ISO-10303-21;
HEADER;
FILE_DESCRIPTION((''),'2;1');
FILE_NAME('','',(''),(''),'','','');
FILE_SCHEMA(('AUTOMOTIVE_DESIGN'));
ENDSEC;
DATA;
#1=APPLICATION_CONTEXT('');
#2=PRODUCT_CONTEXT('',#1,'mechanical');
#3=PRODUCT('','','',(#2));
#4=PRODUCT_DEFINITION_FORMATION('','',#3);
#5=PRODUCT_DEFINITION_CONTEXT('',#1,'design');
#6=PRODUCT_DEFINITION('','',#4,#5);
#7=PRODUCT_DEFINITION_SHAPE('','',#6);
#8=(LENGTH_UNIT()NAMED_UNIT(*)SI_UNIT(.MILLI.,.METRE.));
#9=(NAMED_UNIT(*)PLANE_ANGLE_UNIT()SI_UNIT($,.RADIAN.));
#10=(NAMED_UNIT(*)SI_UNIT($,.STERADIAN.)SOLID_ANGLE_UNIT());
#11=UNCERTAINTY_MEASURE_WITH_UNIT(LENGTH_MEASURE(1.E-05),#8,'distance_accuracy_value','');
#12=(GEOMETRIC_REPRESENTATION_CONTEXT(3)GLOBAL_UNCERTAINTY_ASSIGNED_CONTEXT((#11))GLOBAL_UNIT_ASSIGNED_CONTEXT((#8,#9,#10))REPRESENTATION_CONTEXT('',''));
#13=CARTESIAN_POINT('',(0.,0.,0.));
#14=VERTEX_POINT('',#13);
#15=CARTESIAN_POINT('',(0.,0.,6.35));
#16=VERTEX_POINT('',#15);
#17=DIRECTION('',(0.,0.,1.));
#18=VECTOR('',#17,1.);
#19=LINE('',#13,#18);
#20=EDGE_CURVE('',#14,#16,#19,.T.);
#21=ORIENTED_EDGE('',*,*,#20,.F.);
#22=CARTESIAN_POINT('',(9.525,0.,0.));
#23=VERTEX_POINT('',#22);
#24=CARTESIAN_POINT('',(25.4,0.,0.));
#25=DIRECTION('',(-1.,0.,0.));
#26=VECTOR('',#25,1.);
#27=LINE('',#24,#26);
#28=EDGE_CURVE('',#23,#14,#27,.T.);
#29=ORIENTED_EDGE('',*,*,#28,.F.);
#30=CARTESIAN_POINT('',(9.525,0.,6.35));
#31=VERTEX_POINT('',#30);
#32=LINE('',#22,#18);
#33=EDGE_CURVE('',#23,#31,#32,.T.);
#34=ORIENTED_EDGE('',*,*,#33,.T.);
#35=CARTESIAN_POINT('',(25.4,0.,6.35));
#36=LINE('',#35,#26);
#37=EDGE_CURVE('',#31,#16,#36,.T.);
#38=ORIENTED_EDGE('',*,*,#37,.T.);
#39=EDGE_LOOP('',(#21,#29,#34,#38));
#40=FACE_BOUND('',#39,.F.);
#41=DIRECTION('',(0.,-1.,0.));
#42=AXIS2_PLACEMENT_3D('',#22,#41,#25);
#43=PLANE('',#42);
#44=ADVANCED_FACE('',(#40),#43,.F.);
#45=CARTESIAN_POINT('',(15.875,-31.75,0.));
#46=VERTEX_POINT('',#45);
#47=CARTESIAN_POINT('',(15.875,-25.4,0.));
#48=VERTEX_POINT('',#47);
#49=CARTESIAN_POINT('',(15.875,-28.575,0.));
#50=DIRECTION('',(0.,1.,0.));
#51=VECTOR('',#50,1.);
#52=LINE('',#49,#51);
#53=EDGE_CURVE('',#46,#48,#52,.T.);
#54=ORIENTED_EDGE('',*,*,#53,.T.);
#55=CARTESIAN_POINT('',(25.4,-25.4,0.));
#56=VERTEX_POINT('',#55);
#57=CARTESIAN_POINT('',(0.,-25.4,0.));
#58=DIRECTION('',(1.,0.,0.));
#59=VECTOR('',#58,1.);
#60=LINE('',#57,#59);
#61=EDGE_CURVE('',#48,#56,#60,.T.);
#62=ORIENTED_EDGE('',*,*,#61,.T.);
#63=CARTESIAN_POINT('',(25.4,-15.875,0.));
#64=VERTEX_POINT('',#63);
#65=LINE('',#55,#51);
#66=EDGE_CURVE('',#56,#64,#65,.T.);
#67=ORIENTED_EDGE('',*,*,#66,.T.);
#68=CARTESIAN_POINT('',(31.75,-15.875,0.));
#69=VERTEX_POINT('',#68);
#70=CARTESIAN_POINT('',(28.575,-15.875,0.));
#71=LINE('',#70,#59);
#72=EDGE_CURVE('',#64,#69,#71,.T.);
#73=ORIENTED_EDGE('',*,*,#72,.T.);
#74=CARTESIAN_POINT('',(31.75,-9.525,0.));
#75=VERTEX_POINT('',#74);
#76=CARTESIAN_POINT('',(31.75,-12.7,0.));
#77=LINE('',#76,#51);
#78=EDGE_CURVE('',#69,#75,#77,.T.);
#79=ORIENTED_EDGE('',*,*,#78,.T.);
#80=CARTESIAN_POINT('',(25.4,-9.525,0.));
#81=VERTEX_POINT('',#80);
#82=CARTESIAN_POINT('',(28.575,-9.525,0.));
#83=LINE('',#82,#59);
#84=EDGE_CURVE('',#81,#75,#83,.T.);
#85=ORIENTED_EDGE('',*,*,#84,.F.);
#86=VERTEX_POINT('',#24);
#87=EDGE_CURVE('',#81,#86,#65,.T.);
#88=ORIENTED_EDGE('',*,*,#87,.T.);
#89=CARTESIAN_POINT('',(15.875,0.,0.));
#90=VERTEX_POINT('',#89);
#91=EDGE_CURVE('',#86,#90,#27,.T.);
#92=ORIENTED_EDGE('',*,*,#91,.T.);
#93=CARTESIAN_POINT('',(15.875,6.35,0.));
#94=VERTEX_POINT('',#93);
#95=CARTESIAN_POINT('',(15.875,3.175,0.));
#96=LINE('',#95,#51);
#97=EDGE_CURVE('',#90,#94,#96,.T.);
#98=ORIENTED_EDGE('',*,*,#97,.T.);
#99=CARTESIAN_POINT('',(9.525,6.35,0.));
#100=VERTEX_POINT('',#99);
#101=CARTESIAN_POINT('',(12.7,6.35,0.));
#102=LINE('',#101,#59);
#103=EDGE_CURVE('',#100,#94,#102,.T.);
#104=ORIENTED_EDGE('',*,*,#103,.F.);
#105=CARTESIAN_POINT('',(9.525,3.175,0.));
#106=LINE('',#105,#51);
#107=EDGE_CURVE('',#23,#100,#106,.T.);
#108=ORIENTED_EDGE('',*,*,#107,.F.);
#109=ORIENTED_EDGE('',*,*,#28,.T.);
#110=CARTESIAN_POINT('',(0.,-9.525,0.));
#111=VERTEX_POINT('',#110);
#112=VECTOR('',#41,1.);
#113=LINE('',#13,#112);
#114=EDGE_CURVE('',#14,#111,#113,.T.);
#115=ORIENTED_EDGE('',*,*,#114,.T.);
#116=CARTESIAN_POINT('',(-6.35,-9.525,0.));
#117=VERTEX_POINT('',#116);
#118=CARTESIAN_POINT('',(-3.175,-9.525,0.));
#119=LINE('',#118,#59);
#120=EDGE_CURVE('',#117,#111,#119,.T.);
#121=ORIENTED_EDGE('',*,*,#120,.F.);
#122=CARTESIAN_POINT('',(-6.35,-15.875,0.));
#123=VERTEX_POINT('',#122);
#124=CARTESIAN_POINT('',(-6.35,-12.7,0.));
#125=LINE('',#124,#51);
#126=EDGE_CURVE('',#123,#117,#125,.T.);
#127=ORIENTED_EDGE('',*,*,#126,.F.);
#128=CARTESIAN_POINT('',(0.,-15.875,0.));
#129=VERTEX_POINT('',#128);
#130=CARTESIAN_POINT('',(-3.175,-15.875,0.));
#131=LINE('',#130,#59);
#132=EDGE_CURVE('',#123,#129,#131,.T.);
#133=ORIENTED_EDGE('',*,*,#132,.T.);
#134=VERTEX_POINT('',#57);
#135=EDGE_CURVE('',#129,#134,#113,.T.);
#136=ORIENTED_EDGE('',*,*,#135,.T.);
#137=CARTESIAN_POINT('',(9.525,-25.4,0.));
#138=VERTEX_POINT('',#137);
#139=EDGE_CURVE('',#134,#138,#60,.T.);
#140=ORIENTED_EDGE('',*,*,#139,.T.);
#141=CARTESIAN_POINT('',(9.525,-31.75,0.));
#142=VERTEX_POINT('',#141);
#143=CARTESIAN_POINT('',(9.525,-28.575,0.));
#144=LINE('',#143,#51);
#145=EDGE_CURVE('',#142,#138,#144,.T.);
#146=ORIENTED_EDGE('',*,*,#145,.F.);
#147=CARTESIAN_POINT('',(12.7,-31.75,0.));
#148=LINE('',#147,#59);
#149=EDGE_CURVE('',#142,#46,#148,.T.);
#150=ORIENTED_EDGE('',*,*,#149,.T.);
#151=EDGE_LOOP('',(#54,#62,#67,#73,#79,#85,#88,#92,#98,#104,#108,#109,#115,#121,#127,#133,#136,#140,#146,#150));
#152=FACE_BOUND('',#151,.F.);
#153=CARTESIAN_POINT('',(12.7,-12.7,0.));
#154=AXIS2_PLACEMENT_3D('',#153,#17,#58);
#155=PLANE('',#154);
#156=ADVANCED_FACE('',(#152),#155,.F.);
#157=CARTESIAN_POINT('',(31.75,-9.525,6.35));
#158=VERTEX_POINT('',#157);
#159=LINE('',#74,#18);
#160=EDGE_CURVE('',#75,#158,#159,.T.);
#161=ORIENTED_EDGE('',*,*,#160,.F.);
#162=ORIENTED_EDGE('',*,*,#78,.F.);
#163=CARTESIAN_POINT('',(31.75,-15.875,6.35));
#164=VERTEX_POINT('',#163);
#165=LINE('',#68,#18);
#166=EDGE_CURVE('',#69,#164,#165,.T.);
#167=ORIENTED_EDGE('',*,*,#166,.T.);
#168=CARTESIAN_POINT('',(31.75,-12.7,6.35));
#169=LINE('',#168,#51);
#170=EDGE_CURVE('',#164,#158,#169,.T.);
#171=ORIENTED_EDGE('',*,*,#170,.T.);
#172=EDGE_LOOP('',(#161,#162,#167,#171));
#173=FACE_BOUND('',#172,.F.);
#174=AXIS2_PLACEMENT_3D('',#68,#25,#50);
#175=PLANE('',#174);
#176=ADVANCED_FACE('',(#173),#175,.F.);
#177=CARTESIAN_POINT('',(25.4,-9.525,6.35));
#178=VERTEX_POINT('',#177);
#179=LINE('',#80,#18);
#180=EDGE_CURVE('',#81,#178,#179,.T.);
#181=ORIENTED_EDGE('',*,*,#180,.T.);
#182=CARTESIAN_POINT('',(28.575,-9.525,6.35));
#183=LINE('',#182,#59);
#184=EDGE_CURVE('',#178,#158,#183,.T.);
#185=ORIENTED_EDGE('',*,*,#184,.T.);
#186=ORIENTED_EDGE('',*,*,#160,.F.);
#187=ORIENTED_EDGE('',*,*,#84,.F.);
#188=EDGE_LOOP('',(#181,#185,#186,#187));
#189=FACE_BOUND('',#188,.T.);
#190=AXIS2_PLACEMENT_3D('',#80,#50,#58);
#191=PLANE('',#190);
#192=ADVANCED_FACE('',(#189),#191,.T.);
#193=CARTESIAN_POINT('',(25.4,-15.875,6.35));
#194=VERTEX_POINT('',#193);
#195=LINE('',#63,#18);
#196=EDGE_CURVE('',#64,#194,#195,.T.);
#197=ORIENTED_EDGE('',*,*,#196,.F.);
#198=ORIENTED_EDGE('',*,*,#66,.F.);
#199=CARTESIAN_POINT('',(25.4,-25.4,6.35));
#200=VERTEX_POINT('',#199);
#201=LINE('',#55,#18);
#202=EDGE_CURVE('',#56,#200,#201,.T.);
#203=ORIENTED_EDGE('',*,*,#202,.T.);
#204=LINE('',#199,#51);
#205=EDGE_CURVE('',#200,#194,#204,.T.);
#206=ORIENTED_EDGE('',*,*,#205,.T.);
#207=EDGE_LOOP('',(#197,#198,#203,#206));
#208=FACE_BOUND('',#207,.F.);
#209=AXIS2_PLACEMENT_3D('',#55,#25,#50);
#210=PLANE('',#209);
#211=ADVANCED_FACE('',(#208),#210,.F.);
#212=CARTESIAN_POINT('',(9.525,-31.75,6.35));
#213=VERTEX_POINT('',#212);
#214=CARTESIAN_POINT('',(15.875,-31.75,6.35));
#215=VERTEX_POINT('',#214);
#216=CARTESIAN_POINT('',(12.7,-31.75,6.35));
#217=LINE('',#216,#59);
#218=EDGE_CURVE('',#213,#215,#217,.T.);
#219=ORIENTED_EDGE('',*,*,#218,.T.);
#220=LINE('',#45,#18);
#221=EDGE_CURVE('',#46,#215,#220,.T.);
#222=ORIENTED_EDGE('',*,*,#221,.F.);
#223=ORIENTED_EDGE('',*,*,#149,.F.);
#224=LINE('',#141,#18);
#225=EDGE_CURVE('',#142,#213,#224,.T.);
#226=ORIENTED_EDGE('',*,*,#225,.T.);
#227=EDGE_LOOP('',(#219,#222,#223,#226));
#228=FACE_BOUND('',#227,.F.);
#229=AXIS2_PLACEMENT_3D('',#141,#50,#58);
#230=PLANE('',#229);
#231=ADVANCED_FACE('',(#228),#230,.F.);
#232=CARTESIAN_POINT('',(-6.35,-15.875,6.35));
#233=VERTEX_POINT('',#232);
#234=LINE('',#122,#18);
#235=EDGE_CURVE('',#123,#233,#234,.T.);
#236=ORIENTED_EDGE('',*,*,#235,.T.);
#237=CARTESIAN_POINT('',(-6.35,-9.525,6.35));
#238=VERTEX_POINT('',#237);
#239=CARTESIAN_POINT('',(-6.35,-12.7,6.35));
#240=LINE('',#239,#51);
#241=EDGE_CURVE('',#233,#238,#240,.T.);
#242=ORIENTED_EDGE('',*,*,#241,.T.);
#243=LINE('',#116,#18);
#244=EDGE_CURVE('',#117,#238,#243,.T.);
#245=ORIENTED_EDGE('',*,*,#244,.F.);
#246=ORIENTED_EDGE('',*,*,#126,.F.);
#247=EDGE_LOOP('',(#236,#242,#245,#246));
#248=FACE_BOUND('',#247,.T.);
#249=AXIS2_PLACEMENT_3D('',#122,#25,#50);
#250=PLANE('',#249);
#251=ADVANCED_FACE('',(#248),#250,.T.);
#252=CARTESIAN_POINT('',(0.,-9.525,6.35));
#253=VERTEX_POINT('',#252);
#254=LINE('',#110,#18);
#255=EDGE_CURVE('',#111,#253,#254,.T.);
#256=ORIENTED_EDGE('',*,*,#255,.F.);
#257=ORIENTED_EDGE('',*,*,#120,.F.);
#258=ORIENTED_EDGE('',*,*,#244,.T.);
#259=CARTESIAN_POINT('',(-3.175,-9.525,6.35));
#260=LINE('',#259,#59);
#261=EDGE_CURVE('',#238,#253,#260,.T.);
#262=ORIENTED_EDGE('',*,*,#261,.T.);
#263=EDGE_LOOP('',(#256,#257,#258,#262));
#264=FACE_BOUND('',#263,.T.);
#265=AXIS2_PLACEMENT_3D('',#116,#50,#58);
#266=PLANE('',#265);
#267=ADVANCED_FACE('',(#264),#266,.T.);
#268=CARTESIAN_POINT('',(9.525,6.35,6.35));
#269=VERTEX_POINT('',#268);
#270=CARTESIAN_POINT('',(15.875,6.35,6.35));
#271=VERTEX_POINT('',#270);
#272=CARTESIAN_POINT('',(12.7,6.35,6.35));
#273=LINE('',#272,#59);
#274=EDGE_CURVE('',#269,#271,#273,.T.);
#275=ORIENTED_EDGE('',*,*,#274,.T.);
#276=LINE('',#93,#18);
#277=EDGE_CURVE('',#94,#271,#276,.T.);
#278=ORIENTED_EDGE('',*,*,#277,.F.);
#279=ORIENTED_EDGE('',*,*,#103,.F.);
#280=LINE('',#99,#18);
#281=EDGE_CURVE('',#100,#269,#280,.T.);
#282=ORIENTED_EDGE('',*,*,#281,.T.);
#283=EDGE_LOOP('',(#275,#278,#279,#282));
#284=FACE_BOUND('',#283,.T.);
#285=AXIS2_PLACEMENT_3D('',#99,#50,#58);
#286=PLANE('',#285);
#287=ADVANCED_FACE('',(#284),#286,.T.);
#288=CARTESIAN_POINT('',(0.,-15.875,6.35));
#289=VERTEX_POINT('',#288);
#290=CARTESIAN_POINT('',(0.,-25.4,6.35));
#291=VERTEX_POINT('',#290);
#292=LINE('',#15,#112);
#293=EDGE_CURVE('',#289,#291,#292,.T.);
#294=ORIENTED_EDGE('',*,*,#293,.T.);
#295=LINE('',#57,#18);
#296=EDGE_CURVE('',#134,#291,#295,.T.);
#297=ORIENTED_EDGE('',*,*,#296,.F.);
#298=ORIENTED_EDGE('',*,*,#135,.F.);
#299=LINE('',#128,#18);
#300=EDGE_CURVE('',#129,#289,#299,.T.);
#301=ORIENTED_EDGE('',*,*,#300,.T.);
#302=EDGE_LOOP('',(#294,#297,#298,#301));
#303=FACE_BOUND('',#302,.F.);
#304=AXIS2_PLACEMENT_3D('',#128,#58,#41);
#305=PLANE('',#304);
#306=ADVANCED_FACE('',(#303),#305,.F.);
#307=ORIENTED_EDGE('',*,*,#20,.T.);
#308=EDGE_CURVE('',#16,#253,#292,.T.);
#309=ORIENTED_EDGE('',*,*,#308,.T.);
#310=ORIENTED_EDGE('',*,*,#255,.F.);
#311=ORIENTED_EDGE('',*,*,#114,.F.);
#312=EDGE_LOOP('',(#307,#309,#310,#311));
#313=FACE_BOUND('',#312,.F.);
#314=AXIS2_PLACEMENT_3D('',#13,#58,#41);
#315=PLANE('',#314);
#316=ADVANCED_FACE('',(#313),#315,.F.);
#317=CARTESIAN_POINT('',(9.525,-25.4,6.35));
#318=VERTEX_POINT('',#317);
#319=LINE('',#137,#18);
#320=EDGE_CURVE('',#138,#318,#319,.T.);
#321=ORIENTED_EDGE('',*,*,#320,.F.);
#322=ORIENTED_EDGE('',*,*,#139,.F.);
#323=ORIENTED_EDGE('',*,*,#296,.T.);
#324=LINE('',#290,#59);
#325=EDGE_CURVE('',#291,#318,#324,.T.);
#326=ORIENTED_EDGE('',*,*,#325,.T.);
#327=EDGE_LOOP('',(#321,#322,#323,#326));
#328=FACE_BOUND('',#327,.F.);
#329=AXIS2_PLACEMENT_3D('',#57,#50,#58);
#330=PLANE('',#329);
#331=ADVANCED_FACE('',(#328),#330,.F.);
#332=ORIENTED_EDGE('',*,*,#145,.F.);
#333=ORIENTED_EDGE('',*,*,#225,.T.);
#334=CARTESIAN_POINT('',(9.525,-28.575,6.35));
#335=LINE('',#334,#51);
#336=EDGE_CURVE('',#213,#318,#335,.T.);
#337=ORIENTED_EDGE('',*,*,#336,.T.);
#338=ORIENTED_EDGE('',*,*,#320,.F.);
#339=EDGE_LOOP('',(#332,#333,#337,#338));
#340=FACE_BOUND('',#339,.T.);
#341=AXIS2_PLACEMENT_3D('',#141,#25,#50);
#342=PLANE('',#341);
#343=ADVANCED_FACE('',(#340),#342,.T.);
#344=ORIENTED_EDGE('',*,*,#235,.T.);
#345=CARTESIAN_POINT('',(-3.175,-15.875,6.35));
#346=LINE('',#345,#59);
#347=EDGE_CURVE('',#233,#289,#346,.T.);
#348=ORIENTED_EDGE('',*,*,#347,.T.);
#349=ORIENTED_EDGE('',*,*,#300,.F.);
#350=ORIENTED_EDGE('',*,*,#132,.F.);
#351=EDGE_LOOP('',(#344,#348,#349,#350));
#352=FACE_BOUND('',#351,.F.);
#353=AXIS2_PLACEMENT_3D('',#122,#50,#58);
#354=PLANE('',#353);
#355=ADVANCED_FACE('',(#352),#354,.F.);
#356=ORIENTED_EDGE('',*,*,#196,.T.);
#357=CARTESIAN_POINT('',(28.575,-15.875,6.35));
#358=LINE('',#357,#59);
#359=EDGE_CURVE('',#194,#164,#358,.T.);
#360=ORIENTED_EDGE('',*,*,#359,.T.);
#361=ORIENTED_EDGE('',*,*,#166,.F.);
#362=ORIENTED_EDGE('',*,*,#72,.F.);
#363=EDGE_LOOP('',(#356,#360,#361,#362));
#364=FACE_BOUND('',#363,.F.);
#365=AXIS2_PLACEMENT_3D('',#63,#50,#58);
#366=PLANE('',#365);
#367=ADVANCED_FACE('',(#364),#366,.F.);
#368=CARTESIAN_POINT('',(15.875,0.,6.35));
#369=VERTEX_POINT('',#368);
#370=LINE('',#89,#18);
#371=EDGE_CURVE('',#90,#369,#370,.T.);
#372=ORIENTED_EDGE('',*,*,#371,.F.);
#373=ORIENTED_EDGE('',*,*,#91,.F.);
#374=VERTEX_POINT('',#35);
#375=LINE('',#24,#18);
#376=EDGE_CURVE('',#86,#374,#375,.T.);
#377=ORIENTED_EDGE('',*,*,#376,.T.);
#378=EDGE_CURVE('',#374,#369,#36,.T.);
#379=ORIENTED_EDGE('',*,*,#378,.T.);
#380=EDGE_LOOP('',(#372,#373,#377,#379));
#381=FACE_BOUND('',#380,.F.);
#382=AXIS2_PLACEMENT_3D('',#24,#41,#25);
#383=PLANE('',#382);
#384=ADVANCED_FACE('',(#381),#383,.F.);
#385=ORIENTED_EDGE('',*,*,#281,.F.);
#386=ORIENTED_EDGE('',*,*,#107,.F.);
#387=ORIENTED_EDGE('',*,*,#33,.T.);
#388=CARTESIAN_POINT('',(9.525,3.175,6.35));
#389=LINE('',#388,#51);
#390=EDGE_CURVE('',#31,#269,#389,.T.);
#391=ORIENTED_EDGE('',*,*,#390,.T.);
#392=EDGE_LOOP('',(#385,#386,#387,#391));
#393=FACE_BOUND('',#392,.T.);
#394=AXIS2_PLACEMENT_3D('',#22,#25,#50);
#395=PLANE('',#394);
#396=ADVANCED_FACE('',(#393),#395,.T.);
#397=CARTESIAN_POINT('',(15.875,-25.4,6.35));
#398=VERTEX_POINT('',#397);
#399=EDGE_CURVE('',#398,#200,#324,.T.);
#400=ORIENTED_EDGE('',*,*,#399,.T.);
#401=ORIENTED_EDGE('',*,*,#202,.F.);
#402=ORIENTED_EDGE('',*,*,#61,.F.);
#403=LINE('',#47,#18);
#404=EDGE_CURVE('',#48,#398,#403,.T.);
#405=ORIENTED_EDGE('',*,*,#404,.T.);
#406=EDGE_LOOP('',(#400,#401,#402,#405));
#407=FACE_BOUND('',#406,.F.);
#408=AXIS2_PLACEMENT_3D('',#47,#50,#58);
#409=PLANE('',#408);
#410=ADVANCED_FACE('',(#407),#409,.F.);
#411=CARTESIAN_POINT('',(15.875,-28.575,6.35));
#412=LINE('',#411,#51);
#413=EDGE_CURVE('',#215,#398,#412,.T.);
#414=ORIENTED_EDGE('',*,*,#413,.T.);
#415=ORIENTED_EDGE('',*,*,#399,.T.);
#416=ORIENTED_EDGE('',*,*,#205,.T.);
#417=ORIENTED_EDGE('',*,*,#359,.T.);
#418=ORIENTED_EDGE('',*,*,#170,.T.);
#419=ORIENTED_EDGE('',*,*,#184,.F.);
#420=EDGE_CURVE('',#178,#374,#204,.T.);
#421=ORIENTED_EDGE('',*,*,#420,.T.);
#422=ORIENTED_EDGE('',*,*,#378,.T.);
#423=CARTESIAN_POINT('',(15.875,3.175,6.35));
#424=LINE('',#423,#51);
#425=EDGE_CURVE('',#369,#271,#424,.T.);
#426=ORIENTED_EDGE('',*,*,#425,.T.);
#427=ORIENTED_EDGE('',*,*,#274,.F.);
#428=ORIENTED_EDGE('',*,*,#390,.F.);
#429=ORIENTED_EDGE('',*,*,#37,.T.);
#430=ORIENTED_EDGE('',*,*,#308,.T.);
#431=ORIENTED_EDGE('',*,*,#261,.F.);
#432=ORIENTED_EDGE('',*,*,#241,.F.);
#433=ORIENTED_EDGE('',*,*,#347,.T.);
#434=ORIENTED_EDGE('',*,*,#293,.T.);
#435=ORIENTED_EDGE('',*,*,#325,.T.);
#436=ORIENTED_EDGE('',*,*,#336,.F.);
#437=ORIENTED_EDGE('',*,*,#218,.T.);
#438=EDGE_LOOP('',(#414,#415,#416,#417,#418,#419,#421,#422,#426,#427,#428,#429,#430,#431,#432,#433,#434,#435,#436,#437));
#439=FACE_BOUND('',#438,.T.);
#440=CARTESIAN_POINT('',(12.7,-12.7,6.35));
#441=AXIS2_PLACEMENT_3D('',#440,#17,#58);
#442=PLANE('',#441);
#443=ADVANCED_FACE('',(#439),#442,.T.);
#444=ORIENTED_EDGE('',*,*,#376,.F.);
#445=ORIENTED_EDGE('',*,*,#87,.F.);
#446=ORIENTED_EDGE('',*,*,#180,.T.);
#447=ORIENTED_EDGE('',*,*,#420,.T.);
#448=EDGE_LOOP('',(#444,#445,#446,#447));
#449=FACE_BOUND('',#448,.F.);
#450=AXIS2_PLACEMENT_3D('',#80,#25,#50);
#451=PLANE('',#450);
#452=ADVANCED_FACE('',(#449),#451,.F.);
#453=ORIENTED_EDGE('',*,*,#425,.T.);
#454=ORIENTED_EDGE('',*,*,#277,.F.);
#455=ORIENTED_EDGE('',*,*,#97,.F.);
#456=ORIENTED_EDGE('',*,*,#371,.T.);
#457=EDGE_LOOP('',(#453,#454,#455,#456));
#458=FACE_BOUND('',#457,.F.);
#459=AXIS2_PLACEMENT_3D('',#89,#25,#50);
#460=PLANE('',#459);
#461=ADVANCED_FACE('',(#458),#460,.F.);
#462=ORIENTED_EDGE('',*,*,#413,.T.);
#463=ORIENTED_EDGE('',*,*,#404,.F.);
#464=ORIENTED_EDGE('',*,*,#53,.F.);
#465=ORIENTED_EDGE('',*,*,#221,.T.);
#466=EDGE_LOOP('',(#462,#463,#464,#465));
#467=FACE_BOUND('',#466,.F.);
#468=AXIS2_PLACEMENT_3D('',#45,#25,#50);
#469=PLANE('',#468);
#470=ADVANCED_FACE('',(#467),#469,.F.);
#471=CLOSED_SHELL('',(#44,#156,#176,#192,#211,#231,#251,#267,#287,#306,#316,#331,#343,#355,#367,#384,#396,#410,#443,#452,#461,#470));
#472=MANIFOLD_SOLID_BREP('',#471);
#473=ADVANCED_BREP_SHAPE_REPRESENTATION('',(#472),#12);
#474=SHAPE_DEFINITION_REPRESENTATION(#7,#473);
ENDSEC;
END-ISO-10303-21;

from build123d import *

# Parameters (mm, degrees)
F0_W     = 6.35
F0_H     = 6.35
F1_DEPTH = 6.35


with BuildPart() as f1:
    # F0 (on Top) → F1 (new body)
    with BuildSketch(Plane.XY):
        Polygon((9.525, 0), (0, 0), (0, -9.525), (0, -15.875), (0, -25.4), (9.525, -25.4), (15.875, -25.4), (25.4, -25.4), (25.4, -15.875), (25.4, -9.525), (25.4, 0), (15.875, 0), align=None)
        with Locations((12.7, 3.175)):
            Rectangle(F0_W, F0_H)
        with Locations((-3.175, -12.7)):
            Rectangle(F0_W, F0_H)
        with Locations((28.575, -12.7)):
            Rectangle(F0_W, F0_H)
        with Locations((12.7, -28.575)):
            Rectangle(F0_W, F0_H)
    extrude(amount=F1_DEPTH)


solid = f1.part
